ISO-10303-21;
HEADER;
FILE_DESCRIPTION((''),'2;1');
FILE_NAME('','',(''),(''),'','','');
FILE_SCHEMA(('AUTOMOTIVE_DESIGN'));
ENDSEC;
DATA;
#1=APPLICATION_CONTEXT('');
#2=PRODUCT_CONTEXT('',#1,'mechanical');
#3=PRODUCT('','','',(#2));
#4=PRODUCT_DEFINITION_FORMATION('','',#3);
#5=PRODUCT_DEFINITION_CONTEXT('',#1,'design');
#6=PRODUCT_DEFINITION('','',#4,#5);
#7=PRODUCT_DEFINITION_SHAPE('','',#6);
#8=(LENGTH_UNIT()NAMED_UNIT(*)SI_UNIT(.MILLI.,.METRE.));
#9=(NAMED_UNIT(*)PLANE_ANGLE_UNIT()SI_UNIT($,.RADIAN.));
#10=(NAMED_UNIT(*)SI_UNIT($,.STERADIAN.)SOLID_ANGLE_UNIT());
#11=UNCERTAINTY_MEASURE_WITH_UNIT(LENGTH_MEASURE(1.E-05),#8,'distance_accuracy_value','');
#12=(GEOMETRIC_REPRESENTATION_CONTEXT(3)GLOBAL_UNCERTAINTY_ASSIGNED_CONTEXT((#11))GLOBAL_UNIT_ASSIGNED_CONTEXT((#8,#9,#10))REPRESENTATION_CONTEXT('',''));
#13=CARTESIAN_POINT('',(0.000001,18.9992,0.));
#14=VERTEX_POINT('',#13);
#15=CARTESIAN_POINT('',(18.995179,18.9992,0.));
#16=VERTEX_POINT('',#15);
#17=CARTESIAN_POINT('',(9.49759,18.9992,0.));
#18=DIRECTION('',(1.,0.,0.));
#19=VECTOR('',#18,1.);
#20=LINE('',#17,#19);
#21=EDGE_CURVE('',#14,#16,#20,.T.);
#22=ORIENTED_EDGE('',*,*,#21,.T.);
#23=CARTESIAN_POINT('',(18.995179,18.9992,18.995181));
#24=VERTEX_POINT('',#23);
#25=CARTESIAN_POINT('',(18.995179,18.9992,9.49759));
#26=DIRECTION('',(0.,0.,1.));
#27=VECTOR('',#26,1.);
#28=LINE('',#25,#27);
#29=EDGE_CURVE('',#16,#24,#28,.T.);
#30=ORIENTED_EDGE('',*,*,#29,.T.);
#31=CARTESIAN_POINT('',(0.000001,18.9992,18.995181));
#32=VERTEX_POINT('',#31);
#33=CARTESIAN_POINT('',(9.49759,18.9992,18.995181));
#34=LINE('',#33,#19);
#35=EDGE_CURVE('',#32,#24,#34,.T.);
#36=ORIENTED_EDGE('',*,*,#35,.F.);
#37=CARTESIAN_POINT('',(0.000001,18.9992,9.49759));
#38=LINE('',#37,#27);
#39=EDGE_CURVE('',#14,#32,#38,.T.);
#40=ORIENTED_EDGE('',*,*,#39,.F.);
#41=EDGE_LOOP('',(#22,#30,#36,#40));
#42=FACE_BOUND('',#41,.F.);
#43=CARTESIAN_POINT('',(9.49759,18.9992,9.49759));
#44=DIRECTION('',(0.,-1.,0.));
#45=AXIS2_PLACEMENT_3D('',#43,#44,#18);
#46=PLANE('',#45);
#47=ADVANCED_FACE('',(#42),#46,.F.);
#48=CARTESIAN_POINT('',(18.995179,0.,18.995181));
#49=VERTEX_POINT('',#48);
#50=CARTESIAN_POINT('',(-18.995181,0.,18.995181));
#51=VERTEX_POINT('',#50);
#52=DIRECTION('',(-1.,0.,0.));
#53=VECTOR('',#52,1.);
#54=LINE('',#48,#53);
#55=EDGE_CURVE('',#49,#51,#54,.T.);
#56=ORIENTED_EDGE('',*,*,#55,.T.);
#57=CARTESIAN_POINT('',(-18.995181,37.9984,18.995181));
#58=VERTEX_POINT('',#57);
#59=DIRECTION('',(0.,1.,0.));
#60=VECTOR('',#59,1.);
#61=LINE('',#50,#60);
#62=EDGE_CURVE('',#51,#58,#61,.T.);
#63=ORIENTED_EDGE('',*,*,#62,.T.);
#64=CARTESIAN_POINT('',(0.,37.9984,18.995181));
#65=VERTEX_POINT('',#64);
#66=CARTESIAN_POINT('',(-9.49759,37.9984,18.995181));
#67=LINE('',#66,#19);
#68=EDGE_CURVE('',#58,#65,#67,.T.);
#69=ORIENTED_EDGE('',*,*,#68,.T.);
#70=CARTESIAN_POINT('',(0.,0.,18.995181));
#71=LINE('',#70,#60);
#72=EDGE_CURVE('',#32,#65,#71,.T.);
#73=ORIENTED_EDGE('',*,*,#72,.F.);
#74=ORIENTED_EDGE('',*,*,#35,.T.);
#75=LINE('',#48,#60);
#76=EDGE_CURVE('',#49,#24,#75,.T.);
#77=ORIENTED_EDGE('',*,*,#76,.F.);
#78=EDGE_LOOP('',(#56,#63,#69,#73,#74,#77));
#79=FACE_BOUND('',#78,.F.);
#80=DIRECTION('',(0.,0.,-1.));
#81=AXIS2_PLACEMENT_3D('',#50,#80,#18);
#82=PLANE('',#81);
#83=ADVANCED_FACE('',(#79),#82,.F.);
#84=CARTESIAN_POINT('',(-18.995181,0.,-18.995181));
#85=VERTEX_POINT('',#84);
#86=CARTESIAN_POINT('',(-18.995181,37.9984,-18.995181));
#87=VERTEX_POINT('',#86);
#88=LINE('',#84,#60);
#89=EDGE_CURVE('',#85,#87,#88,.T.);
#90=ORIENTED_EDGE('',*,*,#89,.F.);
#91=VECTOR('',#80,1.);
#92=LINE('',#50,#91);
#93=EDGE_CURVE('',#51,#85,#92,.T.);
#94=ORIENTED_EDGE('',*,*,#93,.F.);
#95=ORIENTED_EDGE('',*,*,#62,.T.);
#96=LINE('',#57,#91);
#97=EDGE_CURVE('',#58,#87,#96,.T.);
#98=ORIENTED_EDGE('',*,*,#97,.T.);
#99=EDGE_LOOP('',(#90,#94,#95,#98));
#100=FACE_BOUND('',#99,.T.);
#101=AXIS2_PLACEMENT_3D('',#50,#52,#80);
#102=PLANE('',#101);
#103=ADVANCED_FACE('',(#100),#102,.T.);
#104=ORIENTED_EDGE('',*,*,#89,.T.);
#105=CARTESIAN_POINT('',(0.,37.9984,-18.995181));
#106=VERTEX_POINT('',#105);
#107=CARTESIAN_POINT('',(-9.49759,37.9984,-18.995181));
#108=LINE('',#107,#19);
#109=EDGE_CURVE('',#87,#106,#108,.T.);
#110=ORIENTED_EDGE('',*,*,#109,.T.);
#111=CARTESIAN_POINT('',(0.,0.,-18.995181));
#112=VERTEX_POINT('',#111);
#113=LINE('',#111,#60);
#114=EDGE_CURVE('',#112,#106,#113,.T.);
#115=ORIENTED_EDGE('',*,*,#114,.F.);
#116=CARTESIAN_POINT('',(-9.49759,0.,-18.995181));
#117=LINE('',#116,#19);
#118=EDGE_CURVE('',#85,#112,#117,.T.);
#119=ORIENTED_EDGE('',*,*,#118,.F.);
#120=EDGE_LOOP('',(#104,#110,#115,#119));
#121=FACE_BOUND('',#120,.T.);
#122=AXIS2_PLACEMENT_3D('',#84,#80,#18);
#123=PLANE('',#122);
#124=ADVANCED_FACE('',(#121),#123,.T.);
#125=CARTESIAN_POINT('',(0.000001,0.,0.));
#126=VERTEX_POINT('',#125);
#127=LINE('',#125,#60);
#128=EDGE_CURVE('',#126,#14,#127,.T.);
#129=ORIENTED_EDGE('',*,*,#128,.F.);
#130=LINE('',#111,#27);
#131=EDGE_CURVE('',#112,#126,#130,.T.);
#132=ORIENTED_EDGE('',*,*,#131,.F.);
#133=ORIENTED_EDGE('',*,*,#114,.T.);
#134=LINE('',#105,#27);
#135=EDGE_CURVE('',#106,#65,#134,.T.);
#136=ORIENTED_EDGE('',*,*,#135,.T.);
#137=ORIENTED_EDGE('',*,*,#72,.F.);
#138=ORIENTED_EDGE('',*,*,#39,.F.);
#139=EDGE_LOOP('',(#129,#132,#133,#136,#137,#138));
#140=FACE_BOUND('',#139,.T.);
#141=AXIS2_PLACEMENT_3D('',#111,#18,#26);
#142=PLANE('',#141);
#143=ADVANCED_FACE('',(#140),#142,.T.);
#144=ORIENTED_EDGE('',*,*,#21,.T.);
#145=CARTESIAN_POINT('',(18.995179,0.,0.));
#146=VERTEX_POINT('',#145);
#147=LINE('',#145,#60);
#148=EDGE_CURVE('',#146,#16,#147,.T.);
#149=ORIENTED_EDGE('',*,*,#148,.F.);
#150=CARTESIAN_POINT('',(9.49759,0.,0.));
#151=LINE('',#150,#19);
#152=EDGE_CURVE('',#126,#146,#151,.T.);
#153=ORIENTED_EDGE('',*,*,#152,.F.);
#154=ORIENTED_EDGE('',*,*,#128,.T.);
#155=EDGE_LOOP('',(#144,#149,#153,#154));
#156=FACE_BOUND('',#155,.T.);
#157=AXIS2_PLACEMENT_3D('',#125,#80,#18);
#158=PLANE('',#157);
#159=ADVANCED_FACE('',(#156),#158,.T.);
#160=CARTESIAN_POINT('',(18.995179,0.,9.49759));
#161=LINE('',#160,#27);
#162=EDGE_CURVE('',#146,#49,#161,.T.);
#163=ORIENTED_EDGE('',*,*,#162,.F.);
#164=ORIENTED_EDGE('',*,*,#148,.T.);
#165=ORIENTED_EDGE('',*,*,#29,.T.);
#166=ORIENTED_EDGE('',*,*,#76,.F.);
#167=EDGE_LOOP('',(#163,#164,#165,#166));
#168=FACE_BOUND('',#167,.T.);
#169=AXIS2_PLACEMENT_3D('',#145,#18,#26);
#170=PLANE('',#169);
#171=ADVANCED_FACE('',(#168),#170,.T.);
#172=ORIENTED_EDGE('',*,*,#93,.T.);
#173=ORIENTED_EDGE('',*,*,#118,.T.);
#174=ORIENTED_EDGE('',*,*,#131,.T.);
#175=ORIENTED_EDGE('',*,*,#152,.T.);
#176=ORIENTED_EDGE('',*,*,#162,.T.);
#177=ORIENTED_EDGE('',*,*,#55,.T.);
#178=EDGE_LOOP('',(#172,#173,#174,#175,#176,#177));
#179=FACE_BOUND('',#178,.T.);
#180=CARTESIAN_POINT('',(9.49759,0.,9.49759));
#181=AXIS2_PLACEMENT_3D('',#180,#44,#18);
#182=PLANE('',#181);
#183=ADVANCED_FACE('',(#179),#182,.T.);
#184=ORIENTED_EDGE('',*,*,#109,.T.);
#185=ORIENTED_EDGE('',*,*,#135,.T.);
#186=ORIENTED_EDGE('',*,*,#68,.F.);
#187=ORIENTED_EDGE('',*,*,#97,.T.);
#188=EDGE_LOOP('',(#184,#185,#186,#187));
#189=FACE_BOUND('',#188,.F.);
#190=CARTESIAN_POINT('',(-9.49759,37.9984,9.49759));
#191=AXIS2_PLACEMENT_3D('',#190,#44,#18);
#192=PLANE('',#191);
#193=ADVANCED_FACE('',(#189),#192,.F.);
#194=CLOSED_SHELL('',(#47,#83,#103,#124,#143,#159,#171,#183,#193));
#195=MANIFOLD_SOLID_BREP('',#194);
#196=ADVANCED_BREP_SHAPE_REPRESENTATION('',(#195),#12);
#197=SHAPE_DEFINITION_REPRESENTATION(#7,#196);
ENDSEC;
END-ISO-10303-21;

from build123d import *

# Parameters (mm, degrees)
F0_W     = 18.995181
F0_H     = 18.995181
F1_DEPTH = 37.9984
F0_W_2   = 18.995179
F2_DEPTH = 18.9992


with BuildPart() as f1:
    # F0 (on Front) → F1 (new body)
    with BuildSketch(Plane.XZ):
        with Locations((-9.49759, 9.49759)):
            Rectangle(F0_W, F0_H)
        with Locations((-9.49759, -9.49759)):
            Rectangle(F0_W, F0_H)
    extrude(amount=-F1_DEPTH)

    # F0 (on Front) → F2 (join)
    with BuildSketch(Plane.XZ):
        with Locations((9.49759, 9.49759)):
            Rectangle(F0_W_2, F0_H)
    extrude(amount=-F2_DEPTH)


solid = f1.part
